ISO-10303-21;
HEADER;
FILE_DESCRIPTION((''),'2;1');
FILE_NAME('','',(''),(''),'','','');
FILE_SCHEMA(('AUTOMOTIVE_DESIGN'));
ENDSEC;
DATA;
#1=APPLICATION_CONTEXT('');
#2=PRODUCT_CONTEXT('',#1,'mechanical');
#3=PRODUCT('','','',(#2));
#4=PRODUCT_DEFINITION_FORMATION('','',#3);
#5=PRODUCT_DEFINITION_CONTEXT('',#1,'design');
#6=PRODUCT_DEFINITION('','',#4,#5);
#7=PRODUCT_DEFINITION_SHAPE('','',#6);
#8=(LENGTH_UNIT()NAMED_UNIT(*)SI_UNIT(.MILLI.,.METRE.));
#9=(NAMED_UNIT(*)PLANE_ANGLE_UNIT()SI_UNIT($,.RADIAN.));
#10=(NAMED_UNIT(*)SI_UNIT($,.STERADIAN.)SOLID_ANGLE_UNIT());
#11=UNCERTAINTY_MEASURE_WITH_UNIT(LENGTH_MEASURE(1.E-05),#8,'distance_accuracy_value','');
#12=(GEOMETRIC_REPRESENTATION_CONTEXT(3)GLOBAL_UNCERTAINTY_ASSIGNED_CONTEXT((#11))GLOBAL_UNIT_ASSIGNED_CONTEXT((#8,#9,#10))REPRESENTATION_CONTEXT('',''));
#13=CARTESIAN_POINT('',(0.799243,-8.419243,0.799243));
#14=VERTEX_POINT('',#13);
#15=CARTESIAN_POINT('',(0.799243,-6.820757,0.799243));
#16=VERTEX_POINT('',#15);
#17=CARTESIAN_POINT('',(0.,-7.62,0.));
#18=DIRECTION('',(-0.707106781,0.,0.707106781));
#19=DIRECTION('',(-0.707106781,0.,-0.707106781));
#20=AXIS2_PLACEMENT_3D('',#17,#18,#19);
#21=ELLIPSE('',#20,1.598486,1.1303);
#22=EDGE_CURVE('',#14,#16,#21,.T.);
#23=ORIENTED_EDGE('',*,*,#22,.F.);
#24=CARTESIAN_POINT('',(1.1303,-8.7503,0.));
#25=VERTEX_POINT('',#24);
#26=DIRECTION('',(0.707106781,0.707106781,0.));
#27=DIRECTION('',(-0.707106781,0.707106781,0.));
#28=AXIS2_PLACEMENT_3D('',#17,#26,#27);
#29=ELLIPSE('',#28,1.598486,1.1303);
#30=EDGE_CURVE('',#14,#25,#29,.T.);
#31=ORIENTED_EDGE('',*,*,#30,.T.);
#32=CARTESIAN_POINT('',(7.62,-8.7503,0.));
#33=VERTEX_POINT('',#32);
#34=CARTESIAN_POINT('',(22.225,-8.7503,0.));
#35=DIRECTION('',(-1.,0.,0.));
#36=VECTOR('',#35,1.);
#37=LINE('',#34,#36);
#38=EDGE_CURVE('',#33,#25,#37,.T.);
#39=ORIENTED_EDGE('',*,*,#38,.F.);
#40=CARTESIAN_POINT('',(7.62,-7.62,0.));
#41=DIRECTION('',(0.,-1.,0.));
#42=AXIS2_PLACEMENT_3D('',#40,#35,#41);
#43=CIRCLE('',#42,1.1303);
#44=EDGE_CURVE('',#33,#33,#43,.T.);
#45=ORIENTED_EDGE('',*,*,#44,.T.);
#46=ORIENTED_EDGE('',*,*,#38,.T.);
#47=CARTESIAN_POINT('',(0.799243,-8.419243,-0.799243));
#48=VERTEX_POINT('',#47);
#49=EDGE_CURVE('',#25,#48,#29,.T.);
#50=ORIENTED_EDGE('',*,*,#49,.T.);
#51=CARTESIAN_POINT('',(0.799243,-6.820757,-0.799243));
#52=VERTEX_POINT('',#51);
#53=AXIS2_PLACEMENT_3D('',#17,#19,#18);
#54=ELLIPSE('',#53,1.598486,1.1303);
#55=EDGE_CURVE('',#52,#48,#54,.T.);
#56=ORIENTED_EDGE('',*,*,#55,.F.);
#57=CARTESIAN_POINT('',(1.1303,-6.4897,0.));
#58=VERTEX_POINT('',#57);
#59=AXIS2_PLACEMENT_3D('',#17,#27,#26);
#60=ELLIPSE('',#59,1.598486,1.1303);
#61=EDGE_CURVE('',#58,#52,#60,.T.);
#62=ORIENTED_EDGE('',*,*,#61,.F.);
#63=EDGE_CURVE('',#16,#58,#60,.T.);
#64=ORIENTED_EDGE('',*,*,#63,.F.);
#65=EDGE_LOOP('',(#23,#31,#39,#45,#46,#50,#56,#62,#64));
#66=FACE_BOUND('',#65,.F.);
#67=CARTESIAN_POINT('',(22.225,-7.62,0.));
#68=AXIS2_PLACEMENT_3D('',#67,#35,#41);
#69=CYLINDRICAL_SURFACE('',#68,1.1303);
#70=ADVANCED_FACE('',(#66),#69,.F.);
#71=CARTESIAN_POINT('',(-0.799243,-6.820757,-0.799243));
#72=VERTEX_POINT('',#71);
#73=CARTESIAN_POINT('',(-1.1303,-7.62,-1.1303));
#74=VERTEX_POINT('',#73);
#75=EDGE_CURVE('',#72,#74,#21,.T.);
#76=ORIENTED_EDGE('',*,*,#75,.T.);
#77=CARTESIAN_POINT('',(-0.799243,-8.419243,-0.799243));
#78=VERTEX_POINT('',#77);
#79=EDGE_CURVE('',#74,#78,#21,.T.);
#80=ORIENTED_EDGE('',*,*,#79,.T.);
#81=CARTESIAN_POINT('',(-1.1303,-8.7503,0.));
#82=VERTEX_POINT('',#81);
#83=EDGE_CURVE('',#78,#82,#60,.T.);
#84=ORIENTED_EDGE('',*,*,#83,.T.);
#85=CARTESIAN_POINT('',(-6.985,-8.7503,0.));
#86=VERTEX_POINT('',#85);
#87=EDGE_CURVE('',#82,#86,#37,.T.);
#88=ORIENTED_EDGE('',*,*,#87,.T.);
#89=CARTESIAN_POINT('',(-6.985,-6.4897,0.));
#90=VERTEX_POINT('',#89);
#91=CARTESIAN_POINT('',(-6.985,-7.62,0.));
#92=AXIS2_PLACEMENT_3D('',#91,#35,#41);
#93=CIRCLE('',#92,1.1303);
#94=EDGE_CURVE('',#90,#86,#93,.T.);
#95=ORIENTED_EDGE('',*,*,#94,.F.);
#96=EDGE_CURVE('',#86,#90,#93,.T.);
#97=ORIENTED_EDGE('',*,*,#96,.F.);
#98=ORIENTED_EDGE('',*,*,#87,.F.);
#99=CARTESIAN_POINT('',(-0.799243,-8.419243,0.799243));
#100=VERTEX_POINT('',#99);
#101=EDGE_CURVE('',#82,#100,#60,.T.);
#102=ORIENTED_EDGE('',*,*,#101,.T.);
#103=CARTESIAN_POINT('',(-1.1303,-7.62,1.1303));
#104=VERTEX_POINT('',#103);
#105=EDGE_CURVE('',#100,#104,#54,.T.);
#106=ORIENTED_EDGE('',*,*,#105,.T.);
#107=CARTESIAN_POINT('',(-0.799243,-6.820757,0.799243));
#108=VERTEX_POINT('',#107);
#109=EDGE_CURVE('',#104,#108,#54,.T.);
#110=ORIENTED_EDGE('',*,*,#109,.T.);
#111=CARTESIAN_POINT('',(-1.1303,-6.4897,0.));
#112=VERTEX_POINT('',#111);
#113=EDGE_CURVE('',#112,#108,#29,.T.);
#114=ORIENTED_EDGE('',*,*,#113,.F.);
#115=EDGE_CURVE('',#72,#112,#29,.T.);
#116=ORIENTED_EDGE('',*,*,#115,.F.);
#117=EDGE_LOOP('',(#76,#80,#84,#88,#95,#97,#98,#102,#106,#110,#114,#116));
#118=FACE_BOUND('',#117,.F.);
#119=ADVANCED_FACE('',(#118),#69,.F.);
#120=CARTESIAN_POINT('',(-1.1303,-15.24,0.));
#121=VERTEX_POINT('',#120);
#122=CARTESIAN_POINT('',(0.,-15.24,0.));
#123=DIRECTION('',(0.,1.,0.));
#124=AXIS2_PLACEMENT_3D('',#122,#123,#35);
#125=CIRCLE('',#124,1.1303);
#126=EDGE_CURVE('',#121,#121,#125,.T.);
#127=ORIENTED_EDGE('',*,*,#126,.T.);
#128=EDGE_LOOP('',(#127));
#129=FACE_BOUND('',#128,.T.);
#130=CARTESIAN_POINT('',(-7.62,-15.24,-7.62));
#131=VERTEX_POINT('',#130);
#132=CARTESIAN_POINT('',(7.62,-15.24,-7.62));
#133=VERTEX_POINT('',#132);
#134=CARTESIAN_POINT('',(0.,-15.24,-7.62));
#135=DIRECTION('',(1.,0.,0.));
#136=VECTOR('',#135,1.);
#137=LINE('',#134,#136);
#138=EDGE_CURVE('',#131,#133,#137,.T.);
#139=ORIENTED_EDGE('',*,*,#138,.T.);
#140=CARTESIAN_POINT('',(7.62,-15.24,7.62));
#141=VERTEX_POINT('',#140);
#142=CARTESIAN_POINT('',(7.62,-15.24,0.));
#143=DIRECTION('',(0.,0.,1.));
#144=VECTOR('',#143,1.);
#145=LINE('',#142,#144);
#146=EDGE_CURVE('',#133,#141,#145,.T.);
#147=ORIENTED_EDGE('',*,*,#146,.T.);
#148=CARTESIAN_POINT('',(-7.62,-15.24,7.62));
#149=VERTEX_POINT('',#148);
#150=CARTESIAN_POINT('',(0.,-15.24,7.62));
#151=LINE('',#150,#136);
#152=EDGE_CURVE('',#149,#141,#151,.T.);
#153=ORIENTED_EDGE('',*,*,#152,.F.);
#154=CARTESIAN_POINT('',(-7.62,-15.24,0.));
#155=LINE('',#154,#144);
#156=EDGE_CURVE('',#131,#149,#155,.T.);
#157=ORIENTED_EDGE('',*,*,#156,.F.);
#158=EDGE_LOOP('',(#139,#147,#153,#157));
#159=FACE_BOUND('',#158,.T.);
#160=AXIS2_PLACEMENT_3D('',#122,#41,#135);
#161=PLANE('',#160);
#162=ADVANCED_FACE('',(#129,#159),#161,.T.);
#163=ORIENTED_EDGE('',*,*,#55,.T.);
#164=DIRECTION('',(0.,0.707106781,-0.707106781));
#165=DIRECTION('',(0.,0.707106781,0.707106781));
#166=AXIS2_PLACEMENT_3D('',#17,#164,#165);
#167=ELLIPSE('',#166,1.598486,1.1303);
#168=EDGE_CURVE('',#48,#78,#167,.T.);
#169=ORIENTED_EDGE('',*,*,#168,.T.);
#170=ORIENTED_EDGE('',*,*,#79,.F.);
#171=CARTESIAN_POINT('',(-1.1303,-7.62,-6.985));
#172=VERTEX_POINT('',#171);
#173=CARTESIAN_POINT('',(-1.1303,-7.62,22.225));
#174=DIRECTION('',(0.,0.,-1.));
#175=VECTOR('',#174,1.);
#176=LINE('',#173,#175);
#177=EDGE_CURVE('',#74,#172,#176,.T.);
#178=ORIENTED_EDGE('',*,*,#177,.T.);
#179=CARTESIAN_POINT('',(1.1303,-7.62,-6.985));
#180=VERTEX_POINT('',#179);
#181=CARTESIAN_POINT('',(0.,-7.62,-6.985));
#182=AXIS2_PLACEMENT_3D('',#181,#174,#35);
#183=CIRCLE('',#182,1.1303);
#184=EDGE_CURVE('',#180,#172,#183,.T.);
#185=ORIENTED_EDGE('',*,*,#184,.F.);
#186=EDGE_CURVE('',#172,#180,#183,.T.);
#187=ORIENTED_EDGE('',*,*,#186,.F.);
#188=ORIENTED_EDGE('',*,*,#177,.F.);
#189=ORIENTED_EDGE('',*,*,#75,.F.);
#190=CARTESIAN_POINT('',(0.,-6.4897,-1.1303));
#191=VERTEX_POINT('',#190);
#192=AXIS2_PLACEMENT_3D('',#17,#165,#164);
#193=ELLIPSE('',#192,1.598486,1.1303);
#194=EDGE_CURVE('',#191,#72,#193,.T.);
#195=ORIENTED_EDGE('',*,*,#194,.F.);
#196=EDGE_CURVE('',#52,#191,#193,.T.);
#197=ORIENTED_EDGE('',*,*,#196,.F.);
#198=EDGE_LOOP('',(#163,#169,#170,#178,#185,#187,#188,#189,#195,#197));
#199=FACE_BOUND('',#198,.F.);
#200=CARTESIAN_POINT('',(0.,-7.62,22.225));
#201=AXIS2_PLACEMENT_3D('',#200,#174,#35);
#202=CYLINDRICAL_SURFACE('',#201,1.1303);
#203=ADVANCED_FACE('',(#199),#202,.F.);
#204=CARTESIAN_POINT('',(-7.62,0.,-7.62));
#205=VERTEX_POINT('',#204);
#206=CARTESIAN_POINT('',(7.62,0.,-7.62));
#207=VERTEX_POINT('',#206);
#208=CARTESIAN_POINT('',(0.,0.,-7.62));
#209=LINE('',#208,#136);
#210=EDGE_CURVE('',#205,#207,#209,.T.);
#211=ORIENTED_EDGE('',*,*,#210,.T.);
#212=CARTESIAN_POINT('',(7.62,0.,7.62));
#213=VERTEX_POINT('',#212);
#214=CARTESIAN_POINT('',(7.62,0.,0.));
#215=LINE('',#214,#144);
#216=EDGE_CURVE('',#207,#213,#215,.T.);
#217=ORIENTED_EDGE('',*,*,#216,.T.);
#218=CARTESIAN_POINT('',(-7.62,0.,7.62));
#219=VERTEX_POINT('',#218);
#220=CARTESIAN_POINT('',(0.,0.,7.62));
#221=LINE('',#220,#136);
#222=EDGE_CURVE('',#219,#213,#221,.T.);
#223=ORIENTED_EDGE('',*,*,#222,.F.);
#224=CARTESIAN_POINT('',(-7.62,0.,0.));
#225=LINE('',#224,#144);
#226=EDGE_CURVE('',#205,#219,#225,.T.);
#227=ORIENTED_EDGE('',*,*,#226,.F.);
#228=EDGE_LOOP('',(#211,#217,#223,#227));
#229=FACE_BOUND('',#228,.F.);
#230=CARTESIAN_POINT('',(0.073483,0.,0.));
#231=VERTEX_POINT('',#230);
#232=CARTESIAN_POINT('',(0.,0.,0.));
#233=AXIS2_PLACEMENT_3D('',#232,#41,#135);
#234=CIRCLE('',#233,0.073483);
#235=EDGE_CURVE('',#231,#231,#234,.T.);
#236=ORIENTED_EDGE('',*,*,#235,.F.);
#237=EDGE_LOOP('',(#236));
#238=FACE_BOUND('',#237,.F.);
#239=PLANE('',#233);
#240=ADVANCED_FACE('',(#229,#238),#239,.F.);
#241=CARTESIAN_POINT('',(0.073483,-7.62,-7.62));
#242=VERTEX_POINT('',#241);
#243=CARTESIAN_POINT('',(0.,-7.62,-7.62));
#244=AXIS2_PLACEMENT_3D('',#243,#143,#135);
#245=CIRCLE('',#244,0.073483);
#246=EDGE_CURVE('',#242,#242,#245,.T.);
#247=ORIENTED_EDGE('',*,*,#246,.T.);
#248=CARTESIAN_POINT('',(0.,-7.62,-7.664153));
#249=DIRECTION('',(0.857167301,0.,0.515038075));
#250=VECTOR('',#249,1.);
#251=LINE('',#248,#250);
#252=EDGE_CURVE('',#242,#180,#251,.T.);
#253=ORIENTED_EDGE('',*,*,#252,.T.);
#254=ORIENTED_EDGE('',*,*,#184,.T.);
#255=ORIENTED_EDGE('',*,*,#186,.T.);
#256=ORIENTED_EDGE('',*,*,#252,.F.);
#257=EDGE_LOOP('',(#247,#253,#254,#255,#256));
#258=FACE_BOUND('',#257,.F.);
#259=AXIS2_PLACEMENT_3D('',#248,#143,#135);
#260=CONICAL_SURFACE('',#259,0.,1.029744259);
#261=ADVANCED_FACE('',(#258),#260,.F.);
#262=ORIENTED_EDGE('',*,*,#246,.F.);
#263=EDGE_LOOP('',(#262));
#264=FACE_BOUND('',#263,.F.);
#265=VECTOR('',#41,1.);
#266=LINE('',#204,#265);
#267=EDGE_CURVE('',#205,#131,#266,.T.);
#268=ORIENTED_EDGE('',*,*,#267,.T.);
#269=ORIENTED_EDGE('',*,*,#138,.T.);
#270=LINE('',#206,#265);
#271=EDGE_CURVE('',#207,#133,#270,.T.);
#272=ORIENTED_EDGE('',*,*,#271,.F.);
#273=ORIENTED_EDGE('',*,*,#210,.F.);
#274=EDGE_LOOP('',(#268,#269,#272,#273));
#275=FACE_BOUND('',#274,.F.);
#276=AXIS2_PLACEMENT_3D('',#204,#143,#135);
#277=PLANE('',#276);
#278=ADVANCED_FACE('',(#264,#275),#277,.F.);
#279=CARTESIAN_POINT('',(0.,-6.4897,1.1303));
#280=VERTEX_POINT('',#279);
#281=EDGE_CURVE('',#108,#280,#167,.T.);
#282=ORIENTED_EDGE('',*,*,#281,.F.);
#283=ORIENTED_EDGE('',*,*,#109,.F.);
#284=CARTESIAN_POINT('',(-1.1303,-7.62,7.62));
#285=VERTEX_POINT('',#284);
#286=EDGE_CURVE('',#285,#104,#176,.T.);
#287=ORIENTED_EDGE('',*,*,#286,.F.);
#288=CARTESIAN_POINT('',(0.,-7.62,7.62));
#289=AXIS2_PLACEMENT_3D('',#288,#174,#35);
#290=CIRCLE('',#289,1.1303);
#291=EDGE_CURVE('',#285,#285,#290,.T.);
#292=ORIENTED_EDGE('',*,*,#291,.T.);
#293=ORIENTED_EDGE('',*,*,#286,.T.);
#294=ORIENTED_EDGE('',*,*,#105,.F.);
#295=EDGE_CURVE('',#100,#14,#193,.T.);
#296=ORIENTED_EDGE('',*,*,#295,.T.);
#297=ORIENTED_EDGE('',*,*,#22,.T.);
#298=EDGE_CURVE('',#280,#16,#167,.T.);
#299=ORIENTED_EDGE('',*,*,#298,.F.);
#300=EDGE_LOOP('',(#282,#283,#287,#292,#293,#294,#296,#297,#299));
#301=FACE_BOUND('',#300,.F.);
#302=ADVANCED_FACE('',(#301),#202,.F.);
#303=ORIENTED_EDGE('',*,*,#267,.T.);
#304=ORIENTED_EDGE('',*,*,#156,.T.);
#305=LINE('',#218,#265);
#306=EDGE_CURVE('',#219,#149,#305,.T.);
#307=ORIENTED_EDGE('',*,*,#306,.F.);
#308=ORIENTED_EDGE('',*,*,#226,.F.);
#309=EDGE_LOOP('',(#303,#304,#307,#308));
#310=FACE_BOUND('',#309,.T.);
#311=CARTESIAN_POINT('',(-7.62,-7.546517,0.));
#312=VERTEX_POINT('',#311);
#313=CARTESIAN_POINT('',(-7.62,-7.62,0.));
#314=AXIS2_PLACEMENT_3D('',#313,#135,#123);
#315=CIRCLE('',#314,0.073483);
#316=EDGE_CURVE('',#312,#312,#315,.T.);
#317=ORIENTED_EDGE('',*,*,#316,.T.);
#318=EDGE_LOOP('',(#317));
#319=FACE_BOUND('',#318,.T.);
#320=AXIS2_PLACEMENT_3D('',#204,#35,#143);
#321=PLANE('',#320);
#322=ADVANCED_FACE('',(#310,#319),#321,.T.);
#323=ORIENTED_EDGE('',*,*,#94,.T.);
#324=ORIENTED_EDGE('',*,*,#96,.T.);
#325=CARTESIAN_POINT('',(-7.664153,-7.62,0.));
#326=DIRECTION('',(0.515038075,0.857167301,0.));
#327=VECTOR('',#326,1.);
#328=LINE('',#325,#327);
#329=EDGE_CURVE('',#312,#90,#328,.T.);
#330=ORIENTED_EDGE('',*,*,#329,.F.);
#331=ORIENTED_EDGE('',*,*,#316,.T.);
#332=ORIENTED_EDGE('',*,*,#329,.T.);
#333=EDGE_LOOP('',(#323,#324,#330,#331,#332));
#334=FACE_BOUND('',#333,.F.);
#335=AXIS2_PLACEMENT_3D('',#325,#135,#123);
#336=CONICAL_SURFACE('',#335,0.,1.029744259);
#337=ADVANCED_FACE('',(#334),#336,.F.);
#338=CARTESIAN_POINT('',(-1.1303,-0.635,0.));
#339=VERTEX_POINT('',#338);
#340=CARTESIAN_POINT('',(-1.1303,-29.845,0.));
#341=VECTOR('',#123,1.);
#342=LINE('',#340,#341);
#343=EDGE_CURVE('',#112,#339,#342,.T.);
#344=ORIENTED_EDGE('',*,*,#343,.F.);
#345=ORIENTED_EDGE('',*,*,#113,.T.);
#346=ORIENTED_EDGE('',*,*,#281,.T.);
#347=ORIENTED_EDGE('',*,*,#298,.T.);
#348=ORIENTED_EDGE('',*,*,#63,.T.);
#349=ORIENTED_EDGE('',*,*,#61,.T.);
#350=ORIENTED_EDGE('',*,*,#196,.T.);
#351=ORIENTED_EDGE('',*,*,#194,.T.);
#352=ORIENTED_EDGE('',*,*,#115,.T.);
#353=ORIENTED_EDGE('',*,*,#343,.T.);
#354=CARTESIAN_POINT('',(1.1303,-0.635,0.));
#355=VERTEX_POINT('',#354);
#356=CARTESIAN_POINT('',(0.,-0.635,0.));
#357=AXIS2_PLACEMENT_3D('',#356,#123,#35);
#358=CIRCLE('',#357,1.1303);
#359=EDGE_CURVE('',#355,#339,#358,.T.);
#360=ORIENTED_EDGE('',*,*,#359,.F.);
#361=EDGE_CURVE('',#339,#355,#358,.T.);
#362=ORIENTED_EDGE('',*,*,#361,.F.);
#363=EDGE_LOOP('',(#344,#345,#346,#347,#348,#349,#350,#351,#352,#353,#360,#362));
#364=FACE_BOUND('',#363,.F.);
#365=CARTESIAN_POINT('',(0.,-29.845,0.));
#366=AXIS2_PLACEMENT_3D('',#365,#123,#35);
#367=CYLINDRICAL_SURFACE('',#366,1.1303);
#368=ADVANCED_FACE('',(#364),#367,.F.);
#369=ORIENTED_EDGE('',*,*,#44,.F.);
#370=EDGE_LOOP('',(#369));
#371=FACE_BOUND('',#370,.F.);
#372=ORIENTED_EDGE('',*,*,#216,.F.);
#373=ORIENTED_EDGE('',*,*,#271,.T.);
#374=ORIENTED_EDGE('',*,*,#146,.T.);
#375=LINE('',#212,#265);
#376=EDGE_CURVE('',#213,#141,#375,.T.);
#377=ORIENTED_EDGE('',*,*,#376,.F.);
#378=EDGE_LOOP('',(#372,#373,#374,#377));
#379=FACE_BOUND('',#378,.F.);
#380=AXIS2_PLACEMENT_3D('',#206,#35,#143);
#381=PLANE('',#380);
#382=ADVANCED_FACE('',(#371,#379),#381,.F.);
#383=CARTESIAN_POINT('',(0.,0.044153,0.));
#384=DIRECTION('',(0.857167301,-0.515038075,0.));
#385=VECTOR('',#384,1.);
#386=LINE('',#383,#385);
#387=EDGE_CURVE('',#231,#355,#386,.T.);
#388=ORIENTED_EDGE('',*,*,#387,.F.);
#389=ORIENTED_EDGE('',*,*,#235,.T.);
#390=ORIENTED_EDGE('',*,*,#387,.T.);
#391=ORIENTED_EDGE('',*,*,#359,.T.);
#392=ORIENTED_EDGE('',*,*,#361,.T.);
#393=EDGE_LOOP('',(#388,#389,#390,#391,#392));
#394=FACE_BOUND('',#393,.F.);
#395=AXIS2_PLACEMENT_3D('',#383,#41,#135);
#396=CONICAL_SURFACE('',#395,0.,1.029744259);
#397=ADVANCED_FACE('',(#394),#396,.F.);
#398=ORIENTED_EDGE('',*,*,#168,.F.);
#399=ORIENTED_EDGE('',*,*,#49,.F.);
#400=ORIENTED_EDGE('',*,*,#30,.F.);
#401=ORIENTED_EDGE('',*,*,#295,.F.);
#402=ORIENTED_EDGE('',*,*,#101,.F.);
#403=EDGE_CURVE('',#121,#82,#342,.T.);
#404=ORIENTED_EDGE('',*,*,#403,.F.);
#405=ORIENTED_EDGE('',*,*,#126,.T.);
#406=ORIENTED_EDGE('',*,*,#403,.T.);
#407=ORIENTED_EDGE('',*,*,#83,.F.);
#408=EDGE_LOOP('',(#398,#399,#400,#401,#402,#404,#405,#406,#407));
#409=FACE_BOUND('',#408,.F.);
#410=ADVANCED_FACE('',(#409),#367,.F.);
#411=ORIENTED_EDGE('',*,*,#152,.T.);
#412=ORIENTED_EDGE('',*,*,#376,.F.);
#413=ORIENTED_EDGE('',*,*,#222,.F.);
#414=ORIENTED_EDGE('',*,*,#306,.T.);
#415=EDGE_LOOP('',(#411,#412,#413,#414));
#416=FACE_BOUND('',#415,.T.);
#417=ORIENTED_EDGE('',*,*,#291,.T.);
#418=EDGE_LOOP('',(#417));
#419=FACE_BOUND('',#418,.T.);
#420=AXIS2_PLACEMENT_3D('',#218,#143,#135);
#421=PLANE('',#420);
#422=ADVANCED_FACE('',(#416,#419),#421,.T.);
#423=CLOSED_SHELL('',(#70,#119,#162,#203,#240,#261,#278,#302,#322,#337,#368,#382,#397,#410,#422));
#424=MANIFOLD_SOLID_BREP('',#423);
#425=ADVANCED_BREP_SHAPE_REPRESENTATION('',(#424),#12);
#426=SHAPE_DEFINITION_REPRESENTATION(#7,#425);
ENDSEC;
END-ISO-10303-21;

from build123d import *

# Parameters (mm, degrees)
F0_W     = 15.24
F0_H     = 15.24
F1_DEPTH = 15.24
F3_D     = 2.2606
F3_DEPTH = 14.605
F3_TIP   = 0.6791527577
F6_D     = 2.2606
F6_DEPTH = 14.605
F6_TIP   = 0.6791527577
F7_D     = 2.2606
F7_DEPTH = 14.605
F7_TIP   = 0.6791527577


with BuildPart() as f1:
    # F0 (on Front) → F1 (new body)
    with BuildSketch(Plane.XZ):
        Rectangle(F0_W, F0_H)
    extrude(amount=F1_DEPTH)

    # F3
    with Locations(Plane.XZ.offset(15.24)):
        with Locations((0, 0)):
            Hole(F3_D / 2, depth=F3_DEPTH)
            with Locations((0, 0, -(F3_DEPTH + F3_TIP / 2))):  # 118° drill point
                Cone(0, F3_D / 2, F3_TIP, mode=Mode.SUBTRACT)

    # F6
    with Locations(Plane.YZ.offset(7.62)):
        with Locations((-7.62, 0)):
            Hole(F6_D / 2, depth=F6_DEPTH)
            with Locations((0, 0, -(F6_DEPTH + F6_TIP / 2))):  # 118° drill point
                Cone(0, F6_D / 2, F6_TIP, mode=Mode.SUBTRACT)

    # F7
    with Locations(Plane.XY.offset(7.62)):
        with Locations((0, -7.62)):
            Hole(F7_D / 2, depth=F7_DEPTH)
            with Locations((0, 0, -(F7_DEPTH + F7_TIP / 2))):  # 118° drill point
                Cone(0, F7_D / 2, F7_TIP, mode=Mode.SUBTRACT)


solid = f1.part
